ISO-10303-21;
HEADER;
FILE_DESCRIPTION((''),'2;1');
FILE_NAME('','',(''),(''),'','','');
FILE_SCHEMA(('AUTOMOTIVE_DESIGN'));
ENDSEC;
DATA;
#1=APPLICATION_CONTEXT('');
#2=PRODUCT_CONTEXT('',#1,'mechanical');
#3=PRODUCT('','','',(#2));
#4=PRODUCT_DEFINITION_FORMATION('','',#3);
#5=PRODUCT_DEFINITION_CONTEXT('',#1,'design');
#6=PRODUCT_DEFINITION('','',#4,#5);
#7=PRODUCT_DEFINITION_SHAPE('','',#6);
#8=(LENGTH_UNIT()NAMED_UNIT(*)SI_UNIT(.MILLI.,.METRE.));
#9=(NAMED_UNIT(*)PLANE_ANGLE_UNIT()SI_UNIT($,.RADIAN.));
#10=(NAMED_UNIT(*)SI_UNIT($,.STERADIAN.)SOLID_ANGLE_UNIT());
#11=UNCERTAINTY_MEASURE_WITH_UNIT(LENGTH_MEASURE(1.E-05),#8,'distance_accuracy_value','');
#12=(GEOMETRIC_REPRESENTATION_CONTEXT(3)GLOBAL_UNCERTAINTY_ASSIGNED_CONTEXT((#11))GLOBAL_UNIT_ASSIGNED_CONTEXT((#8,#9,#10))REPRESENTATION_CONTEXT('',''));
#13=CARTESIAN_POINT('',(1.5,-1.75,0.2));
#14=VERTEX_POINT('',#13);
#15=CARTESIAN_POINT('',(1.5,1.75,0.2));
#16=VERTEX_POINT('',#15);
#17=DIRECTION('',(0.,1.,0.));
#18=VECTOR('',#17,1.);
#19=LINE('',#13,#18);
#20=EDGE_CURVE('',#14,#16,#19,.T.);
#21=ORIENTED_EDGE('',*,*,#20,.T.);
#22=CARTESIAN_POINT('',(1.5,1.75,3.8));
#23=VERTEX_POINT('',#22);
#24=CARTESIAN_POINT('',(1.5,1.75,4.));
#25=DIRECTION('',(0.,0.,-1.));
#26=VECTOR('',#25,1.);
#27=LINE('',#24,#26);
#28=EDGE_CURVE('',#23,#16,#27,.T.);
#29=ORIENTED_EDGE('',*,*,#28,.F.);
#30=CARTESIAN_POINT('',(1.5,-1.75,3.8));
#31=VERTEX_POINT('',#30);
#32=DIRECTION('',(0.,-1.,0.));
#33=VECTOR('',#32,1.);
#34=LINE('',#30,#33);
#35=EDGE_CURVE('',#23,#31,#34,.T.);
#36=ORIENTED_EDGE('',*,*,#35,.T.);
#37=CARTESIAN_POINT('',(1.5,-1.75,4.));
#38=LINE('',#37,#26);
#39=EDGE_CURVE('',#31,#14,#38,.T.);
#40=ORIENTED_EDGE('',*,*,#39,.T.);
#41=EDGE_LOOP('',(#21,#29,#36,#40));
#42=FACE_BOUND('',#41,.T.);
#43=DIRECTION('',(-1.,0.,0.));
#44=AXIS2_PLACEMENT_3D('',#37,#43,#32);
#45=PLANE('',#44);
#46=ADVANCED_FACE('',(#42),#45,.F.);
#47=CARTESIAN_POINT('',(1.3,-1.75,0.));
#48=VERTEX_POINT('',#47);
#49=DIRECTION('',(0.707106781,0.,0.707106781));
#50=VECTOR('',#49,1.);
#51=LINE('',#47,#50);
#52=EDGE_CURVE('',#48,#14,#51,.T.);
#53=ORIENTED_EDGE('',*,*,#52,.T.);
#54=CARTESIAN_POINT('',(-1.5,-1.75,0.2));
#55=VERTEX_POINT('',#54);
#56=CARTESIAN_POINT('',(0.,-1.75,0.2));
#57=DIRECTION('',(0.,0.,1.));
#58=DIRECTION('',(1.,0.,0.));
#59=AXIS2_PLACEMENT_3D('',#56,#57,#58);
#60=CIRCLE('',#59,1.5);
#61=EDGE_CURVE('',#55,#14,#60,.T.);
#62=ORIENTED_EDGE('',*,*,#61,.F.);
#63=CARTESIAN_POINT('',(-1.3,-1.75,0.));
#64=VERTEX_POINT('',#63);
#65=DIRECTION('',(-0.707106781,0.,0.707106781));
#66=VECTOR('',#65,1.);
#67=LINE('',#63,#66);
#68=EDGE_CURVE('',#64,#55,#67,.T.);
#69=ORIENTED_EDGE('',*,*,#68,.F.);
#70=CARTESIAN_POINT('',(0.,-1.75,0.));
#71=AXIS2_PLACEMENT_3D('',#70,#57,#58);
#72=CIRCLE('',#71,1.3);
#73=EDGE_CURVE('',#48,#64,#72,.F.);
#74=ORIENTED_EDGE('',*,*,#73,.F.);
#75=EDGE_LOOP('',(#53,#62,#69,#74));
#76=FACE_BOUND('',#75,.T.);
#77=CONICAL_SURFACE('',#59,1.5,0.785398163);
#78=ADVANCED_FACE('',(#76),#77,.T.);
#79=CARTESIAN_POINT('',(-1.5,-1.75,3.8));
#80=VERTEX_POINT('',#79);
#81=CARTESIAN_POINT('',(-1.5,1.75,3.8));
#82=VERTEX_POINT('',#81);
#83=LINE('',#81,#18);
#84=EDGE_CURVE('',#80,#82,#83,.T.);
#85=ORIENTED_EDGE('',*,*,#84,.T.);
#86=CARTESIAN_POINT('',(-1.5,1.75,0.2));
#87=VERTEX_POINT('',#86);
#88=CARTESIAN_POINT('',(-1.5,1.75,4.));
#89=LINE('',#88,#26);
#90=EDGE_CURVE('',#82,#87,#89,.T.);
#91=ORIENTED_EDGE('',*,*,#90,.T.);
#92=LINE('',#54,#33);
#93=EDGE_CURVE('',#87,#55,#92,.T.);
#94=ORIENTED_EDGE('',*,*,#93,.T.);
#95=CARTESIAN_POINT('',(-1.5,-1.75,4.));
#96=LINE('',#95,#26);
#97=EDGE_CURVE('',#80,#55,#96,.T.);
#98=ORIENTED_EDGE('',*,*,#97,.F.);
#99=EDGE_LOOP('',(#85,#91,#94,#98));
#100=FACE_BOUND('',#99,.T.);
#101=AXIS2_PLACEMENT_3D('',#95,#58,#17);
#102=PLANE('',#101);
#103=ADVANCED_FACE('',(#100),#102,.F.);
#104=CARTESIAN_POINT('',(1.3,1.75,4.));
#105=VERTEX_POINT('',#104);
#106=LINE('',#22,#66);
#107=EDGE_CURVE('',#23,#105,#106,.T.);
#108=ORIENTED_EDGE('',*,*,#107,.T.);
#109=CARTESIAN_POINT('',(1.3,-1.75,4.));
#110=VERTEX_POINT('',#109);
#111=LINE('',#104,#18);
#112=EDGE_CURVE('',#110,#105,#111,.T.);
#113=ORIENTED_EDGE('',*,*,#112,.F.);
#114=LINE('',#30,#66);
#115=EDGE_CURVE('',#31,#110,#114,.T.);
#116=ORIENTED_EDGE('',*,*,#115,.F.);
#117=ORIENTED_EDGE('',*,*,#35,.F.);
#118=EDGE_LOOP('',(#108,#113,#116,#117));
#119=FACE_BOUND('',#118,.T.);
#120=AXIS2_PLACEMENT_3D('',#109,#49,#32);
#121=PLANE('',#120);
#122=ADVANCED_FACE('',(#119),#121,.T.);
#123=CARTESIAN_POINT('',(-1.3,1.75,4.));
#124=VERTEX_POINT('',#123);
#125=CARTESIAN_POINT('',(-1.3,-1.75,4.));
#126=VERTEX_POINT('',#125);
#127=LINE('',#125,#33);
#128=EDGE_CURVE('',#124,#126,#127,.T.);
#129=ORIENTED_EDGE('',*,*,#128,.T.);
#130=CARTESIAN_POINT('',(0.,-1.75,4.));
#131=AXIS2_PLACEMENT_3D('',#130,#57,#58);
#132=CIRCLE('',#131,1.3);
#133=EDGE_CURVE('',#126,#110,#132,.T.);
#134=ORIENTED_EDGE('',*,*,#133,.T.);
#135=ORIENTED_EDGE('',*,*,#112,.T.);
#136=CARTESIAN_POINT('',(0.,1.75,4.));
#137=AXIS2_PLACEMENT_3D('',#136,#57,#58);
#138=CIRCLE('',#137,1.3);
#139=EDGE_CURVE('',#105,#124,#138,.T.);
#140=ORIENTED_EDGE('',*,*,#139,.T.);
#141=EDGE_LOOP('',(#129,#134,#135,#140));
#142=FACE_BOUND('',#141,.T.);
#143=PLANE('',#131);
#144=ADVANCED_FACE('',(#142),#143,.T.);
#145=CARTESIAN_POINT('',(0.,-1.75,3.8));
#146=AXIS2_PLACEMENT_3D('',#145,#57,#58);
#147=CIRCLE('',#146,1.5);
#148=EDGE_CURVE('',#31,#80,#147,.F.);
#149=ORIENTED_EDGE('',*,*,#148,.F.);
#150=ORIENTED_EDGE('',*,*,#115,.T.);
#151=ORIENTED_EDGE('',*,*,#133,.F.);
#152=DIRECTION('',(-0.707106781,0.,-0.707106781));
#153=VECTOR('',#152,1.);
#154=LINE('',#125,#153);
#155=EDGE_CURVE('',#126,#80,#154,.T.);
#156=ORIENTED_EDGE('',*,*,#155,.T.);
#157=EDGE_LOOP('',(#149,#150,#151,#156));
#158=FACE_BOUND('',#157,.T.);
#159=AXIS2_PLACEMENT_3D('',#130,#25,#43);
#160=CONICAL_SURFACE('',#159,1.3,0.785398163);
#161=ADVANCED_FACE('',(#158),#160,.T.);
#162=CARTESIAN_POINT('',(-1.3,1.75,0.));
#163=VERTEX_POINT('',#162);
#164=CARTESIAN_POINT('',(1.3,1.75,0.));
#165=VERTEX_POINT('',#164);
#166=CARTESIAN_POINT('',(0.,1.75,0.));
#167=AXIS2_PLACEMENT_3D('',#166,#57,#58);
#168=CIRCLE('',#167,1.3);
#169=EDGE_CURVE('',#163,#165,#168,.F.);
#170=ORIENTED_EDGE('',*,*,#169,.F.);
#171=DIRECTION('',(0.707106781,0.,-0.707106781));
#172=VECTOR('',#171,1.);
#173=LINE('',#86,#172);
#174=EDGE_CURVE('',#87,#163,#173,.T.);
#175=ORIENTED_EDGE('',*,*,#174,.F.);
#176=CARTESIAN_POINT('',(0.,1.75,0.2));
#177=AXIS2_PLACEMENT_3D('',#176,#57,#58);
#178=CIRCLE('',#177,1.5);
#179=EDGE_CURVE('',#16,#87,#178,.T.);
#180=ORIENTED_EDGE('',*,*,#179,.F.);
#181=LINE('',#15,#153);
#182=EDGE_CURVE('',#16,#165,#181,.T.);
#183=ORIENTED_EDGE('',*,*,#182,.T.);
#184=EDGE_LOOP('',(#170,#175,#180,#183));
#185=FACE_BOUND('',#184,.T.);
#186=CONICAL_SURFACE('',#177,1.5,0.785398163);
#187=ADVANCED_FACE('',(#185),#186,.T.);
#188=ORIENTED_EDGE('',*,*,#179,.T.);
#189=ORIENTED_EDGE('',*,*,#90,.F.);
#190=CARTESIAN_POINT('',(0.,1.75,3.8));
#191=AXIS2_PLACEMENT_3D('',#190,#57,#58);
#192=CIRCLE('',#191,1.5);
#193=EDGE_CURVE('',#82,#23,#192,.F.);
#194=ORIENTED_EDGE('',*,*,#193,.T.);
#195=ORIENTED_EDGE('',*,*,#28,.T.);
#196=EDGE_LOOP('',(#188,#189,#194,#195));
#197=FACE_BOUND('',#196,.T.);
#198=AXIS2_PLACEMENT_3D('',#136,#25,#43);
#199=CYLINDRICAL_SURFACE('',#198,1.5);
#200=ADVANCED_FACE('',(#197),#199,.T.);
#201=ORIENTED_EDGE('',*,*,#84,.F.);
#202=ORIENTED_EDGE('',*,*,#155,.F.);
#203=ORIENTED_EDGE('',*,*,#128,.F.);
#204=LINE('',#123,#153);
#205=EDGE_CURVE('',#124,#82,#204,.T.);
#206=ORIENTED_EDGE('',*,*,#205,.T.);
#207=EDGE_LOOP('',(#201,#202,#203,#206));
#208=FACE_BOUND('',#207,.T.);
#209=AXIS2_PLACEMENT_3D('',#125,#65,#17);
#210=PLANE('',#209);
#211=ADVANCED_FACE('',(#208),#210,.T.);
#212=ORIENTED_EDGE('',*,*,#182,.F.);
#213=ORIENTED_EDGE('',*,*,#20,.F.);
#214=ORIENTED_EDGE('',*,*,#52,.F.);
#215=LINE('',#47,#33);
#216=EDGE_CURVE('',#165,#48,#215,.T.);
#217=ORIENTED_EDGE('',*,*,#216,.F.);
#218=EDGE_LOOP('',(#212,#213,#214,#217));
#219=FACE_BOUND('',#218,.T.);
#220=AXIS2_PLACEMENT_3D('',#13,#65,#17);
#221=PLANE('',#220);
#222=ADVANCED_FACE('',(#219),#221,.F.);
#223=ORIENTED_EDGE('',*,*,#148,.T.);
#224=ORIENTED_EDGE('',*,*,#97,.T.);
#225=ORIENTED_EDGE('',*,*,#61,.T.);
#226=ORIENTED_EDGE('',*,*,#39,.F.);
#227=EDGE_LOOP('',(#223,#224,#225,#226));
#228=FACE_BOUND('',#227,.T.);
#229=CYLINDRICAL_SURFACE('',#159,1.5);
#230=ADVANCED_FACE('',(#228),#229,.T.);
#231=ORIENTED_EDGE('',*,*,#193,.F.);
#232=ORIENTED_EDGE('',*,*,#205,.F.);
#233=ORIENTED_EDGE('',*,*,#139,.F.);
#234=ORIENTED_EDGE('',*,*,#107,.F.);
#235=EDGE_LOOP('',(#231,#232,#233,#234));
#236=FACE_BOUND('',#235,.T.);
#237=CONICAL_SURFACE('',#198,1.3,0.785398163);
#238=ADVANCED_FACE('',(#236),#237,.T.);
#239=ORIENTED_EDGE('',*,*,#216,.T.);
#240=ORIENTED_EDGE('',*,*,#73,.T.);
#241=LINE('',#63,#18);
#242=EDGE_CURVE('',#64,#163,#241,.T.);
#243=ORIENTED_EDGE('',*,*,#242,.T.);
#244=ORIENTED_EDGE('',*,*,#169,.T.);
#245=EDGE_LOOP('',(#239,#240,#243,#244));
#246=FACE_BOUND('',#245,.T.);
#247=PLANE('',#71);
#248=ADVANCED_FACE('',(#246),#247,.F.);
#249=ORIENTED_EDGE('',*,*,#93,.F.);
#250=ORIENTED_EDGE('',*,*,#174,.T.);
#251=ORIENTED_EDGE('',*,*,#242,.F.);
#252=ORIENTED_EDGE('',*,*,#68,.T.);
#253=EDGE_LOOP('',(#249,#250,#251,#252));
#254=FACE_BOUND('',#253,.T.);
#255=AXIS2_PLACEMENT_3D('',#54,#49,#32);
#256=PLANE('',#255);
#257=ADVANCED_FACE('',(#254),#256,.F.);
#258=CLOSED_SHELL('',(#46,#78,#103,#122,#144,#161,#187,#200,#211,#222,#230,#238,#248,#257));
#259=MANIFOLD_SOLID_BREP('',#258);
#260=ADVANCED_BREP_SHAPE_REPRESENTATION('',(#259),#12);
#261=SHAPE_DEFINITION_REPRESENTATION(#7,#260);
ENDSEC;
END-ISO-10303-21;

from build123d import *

# Parameters (mm, degrees)
EXTRUDE_1_DEPTH = 4
CHAMFER_1_SIZE  = 0.2


with BuildPart() as part:
    # 草图1 → 凸台-拉伸1 (new body)
    with BuildSketch(Plane.XY):
        with BuildLine():
            Line((-1.5, -1.75), (-1.5, 1.75))
            ThreePointArc((-1.5, 1.75), (0, 3.25), (1.5, 1.75))
            Line((1.5, 1.75), (1.5, -1.75))
            ThreePointArc((1.5, -1.75), (0, -3.25), (-1.5, -1.75))
        make_face()
    extrude(amount=EXTRUDE_1_DEPTH)

    # 倒角1
    chamfer_1_edges = [part.edges().sort_by_distance(p)[0] for p in [
        (0, 3.25, 4),
        (-1.5, 0, 4),
        (0, -3.25, 4),
        (-1.5, 0, 0),
        (0, 3.25, 0),
        (1.5, 0, 0),
        (0, -3.25, 0),
        (1.5, 0, 4),
    ]]
    chamfer(chamfer_1_edges, length=CHAMFER_1_SIZE)


solid = part.part
